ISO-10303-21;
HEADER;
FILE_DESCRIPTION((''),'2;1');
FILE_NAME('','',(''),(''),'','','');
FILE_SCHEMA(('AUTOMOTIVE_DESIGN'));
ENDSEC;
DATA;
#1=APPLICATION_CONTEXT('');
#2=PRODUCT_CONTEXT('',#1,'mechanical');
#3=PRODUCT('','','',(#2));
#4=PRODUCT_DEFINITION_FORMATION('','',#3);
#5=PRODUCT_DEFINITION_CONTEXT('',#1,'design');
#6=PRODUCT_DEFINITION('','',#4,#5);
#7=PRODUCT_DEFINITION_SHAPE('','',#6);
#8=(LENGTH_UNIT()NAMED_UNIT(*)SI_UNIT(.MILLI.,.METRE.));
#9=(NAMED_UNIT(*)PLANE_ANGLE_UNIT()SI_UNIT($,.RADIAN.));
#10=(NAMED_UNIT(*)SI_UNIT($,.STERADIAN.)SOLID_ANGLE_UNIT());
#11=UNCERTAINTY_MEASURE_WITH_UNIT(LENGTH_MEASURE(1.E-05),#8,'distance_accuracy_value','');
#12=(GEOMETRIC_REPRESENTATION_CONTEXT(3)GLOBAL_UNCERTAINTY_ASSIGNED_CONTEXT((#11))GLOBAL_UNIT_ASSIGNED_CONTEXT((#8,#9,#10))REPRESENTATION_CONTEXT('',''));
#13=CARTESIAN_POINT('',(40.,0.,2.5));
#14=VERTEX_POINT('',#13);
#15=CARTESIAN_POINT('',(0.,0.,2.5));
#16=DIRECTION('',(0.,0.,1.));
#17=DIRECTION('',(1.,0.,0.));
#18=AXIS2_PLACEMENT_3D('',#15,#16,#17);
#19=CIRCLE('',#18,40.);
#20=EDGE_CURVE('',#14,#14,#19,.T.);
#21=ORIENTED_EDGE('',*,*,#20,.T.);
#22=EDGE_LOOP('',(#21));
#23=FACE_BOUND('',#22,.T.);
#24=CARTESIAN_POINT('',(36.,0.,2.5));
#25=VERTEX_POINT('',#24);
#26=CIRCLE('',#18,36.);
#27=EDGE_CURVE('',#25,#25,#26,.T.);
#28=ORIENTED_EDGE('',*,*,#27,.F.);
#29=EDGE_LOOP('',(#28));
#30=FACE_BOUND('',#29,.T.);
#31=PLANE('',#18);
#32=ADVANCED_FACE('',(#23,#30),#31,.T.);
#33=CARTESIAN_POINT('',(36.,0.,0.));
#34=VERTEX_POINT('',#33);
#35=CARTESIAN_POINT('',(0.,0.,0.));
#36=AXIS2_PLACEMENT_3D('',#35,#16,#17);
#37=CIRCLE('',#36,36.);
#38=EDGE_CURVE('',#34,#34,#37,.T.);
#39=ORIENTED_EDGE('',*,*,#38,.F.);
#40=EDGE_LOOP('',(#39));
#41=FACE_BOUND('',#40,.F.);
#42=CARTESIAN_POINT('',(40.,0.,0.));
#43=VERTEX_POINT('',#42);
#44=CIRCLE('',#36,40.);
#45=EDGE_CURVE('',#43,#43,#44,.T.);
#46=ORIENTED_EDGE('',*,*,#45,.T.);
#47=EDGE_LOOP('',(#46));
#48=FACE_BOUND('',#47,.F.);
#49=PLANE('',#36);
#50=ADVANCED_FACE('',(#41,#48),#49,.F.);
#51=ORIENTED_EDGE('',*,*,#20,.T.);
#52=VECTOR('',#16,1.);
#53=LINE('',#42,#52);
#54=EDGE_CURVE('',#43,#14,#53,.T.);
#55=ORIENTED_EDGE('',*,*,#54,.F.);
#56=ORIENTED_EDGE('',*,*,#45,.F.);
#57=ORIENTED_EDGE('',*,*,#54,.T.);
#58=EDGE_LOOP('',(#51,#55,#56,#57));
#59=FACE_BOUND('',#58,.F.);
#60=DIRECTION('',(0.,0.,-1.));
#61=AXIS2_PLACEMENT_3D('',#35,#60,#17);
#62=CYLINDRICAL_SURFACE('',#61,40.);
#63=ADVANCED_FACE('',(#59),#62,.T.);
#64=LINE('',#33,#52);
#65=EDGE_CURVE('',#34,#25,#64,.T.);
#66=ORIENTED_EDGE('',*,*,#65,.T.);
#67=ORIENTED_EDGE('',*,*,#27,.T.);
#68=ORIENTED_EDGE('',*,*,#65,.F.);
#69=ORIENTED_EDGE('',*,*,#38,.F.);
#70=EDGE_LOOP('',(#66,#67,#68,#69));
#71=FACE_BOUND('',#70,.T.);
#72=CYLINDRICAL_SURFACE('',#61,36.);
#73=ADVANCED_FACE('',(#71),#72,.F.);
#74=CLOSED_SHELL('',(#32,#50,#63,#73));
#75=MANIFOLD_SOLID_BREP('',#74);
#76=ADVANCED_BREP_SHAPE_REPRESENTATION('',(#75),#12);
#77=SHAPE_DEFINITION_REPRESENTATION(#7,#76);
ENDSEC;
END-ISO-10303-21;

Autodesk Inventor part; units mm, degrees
ref_plane "YZ Plane" through (0, 0, 0) normal (1, 0, 0) x (0, 1, 0)
ref_plane "XZ Plane" through (0, 0, 0) normal (0, 1, 0) x (-1, 0, 0)
ref_plane "XY Plane" through (0, 0, 0) normal (0, 0, 1) x (1, 0, 0)
sketch "Sketch1" plane through (0, 0, 0) normal (0, 0, 1) x (1, 0, 0)
  circle A0 centre (0, 0) radius 40
  circle A1 centre (0, 0) radius 36
  dimension "d0" = 80
  dimension "d1" = 72
extrude "Extrusion1" add sketch "Sketch1" along normal blind 2.5
properties part number "washer" material "Rubber, Silicone"
